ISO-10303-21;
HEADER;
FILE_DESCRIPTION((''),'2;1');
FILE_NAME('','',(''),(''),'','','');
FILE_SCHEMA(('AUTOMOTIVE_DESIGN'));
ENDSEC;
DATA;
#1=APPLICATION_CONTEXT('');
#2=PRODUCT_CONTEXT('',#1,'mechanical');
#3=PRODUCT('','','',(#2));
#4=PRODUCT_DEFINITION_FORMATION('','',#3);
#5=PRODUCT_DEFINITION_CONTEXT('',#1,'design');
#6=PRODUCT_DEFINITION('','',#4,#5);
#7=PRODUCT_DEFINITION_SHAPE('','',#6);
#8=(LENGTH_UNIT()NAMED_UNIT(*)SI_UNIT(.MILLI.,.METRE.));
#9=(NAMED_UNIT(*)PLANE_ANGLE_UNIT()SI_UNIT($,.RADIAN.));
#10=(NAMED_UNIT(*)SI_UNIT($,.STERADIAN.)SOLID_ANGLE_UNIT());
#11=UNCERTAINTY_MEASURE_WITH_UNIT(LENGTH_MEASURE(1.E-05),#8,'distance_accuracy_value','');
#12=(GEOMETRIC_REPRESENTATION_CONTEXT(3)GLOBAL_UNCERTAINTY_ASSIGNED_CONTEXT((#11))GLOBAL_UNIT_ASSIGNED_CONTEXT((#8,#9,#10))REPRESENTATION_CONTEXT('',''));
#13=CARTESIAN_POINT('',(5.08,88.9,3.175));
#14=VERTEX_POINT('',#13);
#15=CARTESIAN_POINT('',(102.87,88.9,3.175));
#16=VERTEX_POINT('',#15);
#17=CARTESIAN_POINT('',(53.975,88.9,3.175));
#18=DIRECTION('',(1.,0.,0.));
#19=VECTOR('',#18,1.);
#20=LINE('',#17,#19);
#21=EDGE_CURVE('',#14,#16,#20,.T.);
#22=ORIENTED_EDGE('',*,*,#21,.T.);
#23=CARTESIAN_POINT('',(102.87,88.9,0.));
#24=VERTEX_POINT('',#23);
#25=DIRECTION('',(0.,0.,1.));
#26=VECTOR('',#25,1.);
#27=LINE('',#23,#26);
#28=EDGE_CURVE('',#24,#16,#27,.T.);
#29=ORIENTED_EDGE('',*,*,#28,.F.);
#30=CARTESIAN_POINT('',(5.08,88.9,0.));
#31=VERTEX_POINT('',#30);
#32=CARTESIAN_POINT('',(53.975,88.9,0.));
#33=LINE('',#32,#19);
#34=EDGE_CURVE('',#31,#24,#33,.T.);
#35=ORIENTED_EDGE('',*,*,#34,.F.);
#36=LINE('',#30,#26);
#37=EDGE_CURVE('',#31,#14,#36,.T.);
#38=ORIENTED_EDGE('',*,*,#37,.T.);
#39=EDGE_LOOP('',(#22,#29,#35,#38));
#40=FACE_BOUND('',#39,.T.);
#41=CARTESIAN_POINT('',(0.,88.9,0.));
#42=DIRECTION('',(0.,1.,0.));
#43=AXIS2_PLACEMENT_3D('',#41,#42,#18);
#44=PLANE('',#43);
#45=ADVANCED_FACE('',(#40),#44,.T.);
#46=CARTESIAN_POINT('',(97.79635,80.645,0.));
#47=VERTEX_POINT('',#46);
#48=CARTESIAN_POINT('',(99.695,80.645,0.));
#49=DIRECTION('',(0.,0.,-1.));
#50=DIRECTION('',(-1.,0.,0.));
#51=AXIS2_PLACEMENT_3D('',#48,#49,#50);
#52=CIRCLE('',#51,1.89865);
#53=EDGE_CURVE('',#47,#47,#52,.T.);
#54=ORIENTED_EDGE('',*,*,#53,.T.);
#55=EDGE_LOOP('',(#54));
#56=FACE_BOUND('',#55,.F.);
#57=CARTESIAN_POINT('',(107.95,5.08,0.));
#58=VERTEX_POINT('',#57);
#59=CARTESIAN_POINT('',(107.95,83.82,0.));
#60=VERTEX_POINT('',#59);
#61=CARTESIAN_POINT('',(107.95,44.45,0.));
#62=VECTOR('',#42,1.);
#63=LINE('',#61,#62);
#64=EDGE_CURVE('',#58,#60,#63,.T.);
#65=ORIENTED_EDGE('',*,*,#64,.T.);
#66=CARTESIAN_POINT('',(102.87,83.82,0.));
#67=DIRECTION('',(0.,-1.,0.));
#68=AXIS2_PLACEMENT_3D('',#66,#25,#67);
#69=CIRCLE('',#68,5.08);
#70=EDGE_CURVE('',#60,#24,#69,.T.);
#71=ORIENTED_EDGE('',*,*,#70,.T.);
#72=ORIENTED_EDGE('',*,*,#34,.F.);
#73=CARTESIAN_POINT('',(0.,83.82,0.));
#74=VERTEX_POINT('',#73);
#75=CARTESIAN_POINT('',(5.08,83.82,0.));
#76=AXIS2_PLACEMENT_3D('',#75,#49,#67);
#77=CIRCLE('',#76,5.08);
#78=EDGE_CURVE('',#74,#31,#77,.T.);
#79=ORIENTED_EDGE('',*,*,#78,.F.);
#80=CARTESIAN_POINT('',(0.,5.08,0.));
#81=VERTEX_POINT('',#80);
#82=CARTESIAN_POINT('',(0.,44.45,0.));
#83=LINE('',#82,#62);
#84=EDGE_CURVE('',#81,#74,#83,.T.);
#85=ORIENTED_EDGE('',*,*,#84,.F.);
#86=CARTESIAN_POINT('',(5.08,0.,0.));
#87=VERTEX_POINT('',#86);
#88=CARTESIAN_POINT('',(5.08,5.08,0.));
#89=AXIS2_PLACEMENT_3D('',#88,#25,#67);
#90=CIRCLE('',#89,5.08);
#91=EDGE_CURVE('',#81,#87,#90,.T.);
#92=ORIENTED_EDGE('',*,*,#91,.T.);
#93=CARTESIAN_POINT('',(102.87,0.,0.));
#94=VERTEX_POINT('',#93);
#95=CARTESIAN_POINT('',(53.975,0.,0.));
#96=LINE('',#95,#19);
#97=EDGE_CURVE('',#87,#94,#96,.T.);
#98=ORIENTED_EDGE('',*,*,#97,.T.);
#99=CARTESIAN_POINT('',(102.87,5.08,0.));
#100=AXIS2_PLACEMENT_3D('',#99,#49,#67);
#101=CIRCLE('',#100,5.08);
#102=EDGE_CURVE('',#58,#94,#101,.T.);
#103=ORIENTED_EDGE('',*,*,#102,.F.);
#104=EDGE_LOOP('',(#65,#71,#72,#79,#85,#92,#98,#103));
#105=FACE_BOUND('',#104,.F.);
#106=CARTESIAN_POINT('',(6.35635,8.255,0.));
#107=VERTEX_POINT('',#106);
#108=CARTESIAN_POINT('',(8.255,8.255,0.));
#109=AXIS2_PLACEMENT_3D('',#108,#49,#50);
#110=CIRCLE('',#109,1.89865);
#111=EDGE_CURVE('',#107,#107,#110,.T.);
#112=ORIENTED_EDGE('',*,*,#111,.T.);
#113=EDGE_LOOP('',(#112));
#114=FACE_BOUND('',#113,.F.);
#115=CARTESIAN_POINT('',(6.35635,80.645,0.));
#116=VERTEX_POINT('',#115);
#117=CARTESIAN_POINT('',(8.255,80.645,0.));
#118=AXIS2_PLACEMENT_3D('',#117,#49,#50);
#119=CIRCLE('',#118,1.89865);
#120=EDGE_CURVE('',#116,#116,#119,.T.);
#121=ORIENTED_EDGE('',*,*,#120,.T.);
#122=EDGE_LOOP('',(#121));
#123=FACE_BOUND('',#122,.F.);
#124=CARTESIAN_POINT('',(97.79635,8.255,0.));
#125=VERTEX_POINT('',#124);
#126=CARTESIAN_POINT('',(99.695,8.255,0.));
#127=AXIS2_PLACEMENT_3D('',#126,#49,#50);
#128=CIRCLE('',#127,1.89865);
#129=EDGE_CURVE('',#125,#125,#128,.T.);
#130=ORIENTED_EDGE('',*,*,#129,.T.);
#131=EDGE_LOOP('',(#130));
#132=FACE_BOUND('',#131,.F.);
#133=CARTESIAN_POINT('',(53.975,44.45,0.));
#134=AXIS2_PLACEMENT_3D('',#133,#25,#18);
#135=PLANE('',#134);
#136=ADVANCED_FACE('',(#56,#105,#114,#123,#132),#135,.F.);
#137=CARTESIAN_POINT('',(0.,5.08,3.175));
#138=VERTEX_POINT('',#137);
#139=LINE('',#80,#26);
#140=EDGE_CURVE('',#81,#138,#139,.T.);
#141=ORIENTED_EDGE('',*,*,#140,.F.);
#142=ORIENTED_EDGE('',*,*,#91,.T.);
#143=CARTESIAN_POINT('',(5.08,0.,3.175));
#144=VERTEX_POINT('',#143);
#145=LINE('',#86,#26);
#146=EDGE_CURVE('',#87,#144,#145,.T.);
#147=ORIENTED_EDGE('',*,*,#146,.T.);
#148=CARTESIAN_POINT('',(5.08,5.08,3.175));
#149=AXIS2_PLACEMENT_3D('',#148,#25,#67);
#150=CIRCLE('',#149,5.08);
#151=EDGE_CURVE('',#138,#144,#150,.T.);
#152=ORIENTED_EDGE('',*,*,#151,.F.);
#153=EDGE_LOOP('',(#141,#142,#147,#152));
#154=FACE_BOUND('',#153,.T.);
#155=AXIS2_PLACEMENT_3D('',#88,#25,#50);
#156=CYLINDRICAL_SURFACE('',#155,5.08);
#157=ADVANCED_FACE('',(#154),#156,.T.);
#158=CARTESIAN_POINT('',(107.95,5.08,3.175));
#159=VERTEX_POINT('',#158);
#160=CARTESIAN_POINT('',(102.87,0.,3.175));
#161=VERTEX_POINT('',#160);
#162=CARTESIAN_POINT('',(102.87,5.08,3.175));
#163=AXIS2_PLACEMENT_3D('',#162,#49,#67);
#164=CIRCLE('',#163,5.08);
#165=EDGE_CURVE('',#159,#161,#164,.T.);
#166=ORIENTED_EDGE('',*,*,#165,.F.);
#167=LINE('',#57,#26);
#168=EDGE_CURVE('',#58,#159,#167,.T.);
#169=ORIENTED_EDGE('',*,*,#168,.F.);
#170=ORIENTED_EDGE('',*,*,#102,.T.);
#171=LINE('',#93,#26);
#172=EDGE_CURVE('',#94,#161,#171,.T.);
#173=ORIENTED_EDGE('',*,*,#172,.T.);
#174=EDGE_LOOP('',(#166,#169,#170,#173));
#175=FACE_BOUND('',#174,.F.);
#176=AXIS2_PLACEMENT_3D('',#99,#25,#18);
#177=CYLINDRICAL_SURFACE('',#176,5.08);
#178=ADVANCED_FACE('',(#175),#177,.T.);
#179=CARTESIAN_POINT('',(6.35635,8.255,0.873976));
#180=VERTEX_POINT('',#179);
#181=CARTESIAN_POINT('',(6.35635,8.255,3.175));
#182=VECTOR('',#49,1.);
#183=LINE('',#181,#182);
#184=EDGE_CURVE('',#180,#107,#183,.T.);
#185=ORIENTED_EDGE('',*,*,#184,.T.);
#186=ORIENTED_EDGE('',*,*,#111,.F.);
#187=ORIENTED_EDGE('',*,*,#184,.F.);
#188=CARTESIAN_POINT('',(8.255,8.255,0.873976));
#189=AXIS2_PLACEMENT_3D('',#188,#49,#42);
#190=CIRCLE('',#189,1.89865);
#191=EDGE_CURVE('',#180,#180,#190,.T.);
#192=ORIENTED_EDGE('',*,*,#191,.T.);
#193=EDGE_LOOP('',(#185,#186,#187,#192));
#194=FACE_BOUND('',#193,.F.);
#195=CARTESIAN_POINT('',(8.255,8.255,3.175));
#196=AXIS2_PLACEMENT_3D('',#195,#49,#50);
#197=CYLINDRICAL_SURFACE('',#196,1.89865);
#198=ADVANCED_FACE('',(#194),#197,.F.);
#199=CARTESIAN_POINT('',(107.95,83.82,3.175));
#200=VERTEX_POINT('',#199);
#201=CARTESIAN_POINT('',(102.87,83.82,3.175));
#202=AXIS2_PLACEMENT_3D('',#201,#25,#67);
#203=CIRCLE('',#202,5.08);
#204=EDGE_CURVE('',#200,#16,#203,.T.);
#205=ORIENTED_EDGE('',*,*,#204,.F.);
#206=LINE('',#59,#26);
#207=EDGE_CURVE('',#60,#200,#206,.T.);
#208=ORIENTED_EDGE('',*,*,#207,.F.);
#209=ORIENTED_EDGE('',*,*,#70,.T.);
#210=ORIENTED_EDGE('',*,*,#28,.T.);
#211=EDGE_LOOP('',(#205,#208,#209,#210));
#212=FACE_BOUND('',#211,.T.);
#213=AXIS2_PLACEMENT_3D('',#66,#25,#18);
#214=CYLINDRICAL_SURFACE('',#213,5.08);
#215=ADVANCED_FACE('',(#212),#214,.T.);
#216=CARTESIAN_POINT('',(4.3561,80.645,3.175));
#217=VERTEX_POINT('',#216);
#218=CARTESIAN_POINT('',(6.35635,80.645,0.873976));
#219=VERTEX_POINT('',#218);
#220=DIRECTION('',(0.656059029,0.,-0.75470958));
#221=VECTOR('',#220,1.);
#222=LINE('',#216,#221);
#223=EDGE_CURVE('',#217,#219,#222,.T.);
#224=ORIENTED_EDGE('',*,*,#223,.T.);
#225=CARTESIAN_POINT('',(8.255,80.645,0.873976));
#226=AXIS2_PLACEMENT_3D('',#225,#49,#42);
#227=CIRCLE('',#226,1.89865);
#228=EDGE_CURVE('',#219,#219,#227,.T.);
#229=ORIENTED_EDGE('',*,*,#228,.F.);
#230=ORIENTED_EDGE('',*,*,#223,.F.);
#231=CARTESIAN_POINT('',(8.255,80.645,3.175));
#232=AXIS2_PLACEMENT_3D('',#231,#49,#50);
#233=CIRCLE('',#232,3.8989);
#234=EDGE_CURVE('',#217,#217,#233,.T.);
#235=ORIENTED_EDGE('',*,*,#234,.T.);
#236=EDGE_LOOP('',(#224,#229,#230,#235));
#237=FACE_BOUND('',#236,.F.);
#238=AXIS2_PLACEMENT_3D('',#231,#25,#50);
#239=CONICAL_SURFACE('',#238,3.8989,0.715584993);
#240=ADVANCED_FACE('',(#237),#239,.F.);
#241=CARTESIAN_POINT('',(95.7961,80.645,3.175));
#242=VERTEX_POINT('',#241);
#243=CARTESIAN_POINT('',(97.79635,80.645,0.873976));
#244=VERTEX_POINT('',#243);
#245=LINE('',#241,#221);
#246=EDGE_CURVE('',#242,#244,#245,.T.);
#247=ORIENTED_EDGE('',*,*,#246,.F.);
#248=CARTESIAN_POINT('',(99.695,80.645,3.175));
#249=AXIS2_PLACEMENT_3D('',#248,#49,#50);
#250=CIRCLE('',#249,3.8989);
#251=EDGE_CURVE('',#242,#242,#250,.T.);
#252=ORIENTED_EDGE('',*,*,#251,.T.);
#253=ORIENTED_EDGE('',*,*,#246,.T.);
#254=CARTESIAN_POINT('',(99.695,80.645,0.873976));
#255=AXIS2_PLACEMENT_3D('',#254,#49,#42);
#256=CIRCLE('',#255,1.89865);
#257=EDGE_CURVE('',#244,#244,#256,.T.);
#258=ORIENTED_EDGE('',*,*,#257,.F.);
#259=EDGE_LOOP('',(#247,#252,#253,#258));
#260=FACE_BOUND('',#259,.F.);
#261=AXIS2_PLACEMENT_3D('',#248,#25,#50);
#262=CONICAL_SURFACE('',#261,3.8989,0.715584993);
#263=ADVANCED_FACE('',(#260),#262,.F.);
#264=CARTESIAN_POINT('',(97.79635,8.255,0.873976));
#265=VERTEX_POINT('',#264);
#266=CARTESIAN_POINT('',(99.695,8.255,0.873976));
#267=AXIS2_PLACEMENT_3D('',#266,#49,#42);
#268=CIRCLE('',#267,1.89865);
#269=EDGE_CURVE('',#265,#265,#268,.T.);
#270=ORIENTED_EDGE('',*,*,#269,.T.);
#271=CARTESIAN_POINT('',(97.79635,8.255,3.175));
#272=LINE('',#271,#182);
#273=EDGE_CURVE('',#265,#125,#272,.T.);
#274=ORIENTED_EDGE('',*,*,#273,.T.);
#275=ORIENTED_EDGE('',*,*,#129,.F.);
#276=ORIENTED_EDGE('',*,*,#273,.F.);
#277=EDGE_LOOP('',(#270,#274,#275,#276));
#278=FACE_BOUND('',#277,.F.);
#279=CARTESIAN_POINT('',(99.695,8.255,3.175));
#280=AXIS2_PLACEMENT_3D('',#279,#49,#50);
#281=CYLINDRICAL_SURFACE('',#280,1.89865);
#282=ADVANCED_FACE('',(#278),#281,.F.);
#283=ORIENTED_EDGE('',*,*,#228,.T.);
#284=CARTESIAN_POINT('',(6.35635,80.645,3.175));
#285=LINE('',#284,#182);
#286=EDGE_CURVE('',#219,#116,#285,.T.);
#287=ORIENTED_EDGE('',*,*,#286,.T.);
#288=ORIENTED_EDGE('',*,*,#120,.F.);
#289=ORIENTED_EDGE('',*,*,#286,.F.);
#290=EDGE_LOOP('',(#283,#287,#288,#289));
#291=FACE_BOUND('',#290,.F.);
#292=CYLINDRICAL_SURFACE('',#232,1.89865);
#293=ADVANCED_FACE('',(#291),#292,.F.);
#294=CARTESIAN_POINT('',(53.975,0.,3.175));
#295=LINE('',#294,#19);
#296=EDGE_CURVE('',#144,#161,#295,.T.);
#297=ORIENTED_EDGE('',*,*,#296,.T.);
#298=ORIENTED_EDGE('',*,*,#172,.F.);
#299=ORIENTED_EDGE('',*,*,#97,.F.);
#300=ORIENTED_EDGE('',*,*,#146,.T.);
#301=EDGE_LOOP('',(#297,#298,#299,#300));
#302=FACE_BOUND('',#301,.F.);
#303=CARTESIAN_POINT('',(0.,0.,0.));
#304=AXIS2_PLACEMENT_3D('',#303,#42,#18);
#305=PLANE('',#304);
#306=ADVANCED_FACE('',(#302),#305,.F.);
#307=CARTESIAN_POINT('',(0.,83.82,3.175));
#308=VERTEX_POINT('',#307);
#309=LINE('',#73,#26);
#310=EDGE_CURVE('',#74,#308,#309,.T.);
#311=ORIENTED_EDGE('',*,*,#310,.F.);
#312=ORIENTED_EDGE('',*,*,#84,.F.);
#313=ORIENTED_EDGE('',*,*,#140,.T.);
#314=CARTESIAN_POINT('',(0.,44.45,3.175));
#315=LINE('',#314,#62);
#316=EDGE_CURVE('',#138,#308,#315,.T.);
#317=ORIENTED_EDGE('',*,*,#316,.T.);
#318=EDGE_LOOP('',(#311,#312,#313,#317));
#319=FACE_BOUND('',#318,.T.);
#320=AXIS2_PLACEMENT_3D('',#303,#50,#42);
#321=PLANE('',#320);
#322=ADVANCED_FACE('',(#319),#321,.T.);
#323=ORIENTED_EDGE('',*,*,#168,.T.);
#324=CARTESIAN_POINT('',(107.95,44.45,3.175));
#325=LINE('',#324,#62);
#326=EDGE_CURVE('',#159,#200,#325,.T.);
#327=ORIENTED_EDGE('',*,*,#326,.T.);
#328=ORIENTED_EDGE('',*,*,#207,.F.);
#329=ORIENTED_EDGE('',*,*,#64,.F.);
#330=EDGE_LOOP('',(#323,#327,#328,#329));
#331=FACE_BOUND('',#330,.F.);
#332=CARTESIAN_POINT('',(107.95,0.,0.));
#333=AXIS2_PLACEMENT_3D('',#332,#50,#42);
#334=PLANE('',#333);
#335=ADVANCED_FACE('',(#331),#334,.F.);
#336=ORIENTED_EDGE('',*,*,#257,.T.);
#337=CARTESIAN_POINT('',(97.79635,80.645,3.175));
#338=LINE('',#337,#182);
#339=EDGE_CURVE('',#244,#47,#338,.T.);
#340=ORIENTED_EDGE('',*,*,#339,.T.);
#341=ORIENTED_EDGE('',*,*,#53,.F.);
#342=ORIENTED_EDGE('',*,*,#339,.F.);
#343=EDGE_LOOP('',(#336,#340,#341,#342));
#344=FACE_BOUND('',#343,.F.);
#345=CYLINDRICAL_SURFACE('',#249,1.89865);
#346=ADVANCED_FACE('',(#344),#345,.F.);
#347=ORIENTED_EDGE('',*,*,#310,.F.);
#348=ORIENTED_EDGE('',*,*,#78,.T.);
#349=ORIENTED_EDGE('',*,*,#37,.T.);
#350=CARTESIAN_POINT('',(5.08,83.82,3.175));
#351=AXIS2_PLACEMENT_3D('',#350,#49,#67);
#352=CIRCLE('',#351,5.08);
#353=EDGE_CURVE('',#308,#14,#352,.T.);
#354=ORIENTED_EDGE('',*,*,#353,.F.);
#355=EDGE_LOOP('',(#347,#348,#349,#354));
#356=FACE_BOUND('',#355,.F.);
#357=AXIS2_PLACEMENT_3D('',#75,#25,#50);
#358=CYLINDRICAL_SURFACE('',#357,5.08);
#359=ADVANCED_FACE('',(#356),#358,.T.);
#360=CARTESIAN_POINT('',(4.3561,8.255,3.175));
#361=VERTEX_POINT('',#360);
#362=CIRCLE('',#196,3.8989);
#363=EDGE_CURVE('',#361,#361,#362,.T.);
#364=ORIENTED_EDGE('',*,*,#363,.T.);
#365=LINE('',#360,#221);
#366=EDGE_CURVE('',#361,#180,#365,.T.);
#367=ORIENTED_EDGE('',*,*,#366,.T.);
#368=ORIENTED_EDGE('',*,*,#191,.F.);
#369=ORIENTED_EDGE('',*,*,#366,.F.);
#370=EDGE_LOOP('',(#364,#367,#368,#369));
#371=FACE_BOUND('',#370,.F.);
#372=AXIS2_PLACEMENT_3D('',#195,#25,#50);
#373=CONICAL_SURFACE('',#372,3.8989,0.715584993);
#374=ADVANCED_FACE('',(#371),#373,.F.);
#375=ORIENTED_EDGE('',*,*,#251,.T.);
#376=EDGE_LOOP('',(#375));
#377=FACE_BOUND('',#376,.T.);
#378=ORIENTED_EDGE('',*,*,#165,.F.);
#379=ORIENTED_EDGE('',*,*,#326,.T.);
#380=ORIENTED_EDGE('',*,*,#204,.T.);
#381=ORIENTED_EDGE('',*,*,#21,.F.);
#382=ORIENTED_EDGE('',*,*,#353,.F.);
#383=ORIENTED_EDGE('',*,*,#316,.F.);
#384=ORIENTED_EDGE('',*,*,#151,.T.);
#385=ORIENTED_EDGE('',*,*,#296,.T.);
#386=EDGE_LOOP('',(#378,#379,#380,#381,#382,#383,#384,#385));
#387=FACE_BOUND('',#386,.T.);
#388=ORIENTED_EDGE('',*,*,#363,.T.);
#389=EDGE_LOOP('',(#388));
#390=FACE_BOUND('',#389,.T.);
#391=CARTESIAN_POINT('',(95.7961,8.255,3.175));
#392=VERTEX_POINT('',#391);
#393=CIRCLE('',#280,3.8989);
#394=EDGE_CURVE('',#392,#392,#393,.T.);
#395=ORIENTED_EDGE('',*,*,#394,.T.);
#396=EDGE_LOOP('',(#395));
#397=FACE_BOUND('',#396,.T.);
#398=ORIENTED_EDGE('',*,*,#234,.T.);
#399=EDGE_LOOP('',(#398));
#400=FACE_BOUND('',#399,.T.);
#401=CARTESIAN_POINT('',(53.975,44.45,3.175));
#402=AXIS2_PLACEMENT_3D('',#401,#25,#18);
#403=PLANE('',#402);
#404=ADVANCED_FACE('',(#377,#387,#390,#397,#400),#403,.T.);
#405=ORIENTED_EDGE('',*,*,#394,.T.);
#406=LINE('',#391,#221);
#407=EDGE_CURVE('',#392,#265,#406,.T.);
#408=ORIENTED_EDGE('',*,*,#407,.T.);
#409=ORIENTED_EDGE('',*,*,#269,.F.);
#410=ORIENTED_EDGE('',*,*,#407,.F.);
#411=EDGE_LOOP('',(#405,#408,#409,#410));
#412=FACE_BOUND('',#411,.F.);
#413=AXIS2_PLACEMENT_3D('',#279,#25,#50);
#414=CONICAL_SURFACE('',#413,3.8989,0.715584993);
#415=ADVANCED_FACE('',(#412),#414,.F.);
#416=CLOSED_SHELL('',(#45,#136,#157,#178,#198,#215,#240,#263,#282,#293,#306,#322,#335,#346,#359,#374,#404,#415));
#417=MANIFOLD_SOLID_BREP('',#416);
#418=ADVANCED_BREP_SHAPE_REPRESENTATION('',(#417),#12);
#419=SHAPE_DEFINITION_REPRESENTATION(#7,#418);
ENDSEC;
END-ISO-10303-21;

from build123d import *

# Parameters (mm, degrees)
F0_W           = 107.95
F0_H           = 88.9
F1_DEPTH       = 3.175
F3_D           = 3.7973
F3_CSINK_D     = 7.7978
F3_CSINK_ANGLE = 82
F4_R           = 5.08


with BuildPart() as f1:
    # F0 (on Top) → F1 (new body)
    with BuildSketch(Plane.XY):
        with Locations((53.975, 44.45)):
            Rectangle(F0_W, F0_H)
    extrude(amount=F1_DEPTH)

    # F3 (through all)
    with Locations(Plane.XY.offset(3.175)):
        with Locations((8.255, 80.645), (99.695, 80.645), (99.695, 8.255), (8.255, 8.255)):
            CounterSinkHole(F3_D / 2, F3_CSINK_D / 2, counter_sink_angle=F3_CSINK_ANGLE)

    # F4
    f4_edges = [f1.edges().sort_by_distance(p)[0] for p in [
        (0, 0, 1.5875),
        (107.95, 0, 1.5875),
        (107.95, 88.9, 1.5875),
        (0, 88.9, 1.5875),
    ]]
    fillet(f4_edges, radius=F4_R)


solid = f1.part
